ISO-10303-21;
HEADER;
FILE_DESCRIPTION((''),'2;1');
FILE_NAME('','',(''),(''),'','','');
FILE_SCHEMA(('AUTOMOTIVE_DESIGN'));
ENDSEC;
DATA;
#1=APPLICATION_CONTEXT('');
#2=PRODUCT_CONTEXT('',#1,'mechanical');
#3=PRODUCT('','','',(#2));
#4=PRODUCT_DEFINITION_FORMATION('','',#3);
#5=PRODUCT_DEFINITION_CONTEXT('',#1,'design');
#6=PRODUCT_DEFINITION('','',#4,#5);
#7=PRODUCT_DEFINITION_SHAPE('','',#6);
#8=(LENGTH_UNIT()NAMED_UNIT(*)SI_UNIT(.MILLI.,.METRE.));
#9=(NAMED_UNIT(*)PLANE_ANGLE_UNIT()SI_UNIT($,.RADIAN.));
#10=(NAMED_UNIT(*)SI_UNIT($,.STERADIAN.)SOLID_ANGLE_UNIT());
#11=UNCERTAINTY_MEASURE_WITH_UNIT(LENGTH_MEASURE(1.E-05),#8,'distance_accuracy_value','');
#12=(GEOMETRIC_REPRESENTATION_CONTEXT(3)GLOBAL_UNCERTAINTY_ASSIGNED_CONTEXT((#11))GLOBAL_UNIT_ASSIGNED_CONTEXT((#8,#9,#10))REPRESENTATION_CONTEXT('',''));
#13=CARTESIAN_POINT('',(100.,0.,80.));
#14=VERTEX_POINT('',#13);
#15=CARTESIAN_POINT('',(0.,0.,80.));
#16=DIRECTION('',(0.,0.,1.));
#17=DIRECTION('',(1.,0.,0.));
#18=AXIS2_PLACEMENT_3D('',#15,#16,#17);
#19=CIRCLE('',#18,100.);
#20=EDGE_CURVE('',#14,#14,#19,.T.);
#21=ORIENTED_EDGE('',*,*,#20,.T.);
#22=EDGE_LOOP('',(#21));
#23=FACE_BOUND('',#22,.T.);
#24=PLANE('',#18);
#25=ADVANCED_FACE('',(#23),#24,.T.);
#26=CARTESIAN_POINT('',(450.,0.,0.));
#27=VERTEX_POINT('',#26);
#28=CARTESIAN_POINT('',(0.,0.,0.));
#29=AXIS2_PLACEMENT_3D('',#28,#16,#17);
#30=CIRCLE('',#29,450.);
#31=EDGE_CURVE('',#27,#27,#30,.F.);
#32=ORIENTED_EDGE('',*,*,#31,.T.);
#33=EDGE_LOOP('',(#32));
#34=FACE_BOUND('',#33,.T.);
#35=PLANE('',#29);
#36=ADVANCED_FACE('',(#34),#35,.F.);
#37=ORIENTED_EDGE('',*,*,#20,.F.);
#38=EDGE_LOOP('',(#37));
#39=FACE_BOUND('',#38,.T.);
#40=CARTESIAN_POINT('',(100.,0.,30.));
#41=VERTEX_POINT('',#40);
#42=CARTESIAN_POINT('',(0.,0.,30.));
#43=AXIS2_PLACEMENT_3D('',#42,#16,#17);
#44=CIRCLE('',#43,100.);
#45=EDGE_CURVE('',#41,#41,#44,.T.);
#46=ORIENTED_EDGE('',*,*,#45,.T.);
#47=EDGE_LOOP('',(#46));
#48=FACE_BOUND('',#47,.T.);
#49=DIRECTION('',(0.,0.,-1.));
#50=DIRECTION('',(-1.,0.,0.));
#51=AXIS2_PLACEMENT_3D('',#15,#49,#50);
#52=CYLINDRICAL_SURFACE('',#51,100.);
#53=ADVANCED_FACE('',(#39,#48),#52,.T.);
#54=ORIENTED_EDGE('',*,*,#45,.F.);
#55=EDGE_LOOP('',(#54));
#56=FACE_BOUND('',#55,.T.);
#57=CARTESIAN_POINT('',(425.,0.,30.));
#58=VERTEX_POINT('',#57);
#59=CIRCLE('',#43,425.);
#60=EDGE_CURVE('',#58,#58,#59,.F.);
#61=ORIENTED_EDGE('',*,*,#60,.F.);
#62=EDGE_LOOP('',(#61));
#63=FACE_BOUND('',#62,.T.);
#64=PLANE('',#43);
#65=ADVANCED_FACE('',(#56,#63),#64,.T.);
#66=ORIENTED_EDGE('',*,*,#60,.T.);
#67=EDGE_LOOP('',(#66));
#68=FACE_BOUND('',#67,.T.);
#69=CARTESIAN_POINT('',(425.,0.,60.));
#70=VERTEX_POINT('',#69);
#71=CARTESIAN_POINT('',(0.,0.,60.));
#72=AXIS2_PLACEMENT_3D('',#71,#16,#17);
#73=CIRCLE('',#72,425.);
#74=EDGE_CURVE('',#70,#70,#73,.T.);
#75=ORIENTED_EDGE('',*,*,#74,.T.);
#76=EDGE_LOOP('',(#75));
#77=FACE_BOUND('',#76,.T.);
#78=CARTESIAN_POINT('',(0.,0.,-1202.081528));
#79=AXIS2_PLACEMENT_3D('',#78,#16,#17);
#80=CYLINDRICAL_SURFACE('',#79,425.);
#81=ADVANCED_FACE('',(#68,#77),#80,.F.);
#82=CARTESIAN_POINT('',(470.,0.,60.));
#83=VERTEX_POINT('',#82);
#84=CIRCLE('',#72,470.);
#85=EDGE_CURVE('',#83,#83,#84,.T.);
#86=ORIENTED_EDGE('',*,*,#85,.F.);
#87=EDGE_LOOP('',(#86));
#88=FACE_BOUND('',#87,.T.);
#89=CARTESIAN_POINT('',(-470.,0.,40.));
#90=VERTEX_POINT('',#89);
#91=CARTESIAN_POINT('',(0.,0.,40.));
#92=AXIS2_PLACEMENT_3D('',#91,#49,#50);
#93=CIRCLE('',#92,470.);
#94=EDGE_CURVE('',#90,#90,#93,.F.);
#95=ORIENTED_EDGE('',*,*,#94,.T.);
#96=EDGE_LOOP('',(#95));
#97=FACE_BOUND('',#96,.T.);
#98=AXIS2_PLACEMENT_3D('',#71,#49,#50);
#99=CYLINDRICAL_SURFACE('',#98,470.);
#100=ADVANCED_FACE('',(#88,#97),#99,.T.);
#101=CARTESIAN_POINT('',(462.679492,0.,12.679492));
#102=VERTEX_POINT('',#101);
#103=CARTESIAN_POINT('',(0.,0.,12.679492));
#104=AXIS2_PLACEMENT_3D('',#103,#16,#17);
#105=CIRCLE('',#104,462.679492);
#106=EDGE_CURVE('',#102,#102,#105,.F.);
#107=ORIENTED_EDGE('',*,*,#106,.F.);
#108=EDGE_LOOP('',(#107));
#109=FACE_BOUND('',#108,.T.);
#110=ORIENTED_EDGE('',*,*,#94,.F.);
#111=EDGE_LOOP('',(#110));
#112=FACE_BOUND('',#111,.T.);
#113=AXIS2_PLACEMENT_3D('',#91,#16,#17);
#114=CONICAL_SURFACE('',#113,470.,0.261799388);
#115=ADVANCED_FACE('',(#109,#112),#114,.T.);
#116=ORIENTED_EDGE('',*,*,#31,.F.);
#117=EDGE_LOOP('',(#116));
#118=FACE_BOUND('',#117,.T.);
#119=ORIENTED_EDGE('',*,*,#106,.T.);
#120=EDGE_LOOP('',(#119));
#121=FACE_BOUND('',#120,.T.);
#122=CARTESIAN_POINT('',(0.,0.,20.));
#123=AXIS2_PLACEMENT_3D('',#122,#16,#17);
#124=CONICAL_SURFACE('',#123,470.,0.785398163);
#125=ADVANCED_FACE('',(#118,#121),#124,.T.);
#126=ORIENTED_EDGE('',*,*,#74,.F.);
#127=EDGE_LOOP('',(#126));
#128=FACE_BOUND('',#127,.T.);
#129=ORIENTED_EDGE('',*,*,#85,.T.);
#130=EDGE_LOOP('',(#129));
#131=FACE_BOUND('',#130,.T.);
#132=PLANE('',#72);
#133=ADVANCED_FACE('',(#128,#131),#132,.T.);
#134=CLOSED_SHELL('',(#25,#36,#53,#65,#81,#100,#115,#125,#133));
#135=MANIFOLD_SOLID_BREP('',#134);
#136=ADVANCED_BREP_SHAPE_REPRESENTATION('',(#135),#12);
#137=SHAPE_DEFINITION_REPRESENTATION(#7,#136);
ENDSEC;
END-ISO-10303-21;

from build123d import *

# Parameters (mm, degrees)
SKETCH2_R           = 470
BOSS_EXTRUDE1_DEPTH = 60
BOSS_EXTRUDE2_START = -60
SKETCH3_R           = 100
BOSS_EXTRUDE2_DEPTH = 80
SKETCH4_R           = 425
SKETCH4_R_2         = 100
CUT_EXTRUDE2_DEPTH  = 30
CHAMFER2_SIZE       = 20
CHAMFER8_SIZE       = 20
CHAMFER8_SIZE2      = 10.352761804


with BuildPart() as part:
    # Sketch2 → Boss-Extrude1 (new body)
    with BuildSketch(Plane.XY):
        Circle(SKETCH2_R)
    extrude(amount=BOSS_EXTRUDE1_DEPTH)

    # Sketch3 → Boss-Extrude2 (add)
    with BuildSketch(Plane.XY.offset(60).offset(BOSS_EXTRUDE2_START)):
        Circle(SKETCH3_R)
    extrude(amount=BOSS_EXTRUDE2_DEPTH)

    # Sketch4 → Cut-Extrude2 (cut)
    with BuildSketch(Plane.XY.offset(60)):
        Circle(SKETCH4_R)
        Circle(SKETCH4_R_2, mode=Mode.SUBTRACT)
    extrude(amount=-CUT_EXTRUDE2_DEPTH, mode=Mode.SUBTRACT)

    # Chamfer2
    chamfer2_edges = [part.edges().sort_by_distance(p)[0] for p in [
        (-470, 0, 0),
    ]]
    chamfer(chamfer2_edges, length=CHAMFER2_SIZE)

    # Chamfer8
    chamfer8_edges = [part.edges().sort_by_distance(p)[0] for p in [
        (-470, 0, 20),
    ]]
    chamfer8_side = [part.faces().sort_by_distance(p)[0] for p in [
        (-470, 0, 40),
    ]]
    chamfer(chamfer8_edges, length=CHAMFER8_SIZE, length2=CHAMFER8_SIZE2, reference=chamfer8_side[0])


solid = part.part
